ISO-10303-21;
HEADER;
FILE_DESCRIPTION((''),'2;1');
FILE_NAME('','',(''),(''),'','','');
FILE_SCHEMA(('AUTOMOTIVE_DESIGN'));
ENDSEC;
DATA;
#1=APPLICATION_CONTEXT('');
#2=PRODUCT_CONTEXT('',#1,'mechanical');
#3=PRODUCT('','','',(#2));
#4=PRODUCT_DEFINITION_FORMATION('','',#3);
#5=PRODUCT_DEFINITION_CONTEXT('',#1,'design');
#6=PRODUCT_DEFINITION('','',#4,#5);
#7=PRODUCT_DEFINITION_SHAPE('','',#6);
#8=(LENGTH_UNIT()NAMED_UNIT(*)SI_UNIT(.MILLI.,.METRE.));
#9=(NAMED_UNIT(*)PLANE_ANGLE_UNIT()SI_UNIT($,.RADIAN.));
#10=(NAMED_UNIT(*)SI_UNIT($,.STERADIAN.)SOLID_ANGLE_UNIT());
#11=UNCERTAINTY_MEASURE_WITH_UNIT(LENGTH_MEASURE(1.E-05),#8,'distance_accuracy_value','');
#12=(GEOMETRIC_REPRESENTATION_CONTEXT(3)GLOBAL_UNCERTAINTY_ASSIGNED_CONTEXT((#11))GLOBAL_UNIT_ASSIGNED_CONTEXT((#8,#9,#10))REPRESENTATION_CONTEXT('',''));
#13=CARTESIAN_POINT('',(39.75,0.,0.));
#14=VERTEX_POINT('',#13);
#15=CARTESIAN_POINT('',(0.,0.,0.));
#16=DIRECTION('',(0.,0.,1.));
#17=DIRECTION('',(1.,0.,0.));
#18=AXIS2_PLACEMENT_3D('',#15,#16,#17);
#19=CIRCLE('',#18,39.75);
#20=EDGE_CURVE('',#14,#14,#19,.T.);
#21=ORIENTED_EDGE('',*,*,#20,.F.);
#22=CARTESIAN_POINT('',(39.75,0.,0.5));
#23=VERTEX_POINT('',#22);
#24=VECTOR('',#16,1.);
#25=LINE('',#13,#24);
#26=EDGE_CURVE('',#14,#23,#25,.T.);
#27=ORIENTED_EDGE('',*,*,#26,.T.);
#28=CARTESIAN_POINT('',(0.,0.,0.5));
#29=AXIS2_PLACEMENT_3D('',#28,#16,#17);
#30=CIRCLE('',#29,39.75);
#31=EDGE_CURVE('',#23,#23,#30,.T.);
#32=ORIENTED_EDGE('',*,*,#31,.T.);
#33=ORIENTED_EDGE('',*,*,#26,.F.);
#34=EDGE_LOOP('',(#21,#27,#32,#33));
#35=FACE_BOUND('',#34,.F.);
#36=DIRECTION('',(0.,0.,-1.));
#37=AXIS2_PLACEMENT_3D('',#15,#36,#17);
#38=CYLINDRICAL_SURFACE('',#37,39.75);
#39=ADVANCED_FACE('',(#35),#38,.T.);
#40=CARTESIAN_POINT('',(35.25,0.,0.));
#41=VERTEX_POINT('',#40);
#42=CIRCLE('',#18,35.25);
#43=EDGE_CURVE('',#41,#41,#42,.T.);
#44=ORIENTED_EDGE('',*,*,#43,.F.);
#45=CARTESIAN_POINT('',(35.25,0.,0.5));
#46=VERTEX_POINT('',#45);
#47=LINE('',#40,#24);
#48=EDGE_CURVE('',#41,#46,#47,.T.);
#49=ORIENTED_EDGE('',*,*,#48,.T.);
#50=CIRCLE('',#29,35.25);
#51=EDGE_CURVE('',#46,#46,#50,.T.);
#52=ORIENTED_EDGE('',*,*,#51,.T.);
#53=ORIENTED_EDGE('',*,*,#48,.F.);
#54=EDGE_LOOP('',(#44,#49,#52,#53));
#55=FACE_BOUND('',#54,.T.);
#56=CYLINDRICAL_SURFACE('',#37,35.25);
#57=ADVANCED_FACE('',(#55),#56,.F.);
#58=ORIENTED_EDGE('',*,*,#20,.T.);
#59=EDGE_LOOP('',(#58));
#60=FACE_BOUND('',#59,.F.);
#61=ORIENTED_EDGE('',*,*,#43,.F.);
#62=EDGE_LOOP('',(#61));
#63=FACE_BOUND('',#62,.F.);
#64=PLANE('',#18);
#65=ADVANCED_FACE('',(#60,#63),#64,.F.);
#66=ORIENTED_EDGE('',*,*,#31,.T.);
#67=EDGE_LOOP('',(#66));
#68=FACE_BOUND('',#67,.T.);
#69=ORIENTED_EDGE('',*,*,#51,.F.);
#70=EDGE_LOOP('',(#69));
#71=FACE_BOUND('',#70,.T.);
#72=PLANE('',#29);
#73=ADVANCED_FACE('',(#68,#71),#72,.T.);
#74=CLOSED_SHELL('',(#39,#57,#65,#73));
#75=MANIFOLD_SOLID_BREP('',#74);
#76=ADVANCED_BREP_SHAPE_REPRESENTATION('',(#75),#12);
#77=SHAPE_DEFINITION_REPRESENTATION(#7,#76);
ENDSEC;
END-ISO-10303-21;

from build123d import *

# Parameters (mm, degrees)
SKETCH_R   = 39.75
SKETCH_R_2 = 35.25
PAD_DEPTH  = 0.5


with BuildPart() as part:
    # Sketch → Pad (new body)
    with BuildSketch(Plane.XY):
        Circle(SKETCH_R)
        Circle(SKETCH_R_2, mode=Mode.SUBTRACT)
    extrude(amount=PAD_DEPTH)


solid = part.part
